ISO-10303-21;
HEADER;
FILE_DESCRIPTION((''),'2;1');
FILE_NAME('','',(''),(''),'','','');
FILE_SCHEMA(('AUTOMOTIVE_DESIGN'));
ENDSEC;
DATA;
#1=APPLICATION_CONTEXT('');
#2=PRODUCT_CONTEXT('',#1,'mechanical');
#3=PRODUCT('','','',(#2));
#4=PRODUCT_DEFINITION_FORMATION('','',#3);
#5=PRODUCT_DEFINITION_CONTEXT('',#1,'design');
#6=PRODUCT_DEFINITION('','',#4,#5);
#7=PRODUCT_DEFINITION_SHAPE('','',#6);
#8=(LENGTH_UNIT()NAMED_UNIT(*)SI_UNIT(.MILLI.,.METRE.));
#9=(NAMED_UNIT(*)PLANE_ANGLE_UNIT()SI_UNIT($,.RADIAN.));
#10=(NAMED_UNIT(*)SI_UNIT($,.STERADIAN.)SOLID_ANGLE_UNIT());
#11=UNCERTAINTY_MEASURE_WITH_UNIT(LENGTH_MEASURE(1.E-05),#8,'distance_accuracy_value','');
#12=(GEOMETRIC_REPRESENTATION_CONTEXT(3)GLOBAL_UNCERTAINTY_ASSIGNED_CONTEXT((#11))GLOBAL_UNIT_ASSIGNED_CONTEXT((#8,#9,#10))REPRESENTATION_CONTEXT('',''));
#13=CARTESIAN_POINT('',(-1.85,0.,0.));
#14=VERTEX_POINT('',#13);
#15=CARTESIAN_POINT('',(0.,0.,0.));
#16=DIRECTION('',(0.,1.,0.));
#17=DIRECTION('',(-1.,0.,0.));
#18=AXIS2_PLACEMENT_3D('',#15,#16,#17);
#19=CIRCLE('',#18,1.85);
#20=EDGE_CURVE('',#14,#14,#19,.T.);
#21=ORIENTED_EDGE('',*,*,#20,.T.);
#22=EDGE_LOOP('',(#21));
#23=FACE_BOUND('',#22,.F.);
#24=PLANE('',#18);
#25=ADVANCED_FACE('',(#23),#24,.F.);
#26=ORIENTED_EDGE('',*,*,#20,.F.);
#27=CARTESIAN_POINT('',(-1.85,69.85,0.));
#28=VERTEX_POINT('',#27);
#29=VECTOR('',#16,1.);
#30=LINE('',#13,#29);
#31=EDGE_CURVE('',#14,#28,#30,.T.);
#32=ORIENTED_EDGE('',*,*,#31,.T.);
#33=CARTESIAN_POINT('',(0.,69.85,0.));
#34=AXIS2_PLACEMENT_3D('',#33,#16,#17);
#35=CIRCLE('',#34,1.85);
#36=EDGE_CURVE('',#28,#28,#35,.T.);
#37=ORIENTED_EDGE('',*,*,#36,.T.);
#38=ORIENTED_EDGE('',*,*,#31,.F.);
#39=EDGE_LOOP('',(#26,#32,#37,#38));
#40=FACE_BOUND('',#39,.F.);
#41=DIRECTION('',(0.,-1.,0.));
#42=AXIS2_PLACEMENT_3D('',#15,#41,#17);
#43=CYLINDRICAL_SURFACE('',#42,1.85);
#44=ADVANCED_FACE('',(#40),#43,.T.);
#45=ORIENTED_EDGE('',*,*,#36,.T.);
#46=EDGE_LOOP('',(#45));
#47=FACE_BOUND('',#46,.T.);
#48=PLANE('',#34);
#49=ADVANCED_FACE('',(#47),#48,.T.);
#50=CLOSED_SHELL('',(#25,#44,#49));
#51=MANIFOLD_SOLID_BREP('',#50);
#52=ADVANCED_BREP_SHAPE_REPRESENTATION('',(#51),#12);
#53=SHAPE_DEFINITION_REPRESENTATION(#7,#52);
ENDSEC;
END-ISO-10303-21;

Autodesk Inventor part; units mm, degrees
ref_plane "YZ Plane" through (0, 0, 0) normal (1, 0, 0) x (0, 1, 0)
ref_plane "XZ Plane" through (0, 0, 0) normal (0, 1, 0) x (-1, 0, 0)
ref_plane "XY Plane" through (0, 0, 0) normal (0, 0, 1) x (1, 0, 0)
sketch "Sketch1" plane through (0, 0, 0) normal (0, 1, 0) x (-1, 0, 0)
  circle A0 centre (0, 0) radius 1.85
  dimension "d0" = 3.7
extrude "Extrusion1" add sketch "Sketch1" along normal blind 69.85
properties part number "Connector"
